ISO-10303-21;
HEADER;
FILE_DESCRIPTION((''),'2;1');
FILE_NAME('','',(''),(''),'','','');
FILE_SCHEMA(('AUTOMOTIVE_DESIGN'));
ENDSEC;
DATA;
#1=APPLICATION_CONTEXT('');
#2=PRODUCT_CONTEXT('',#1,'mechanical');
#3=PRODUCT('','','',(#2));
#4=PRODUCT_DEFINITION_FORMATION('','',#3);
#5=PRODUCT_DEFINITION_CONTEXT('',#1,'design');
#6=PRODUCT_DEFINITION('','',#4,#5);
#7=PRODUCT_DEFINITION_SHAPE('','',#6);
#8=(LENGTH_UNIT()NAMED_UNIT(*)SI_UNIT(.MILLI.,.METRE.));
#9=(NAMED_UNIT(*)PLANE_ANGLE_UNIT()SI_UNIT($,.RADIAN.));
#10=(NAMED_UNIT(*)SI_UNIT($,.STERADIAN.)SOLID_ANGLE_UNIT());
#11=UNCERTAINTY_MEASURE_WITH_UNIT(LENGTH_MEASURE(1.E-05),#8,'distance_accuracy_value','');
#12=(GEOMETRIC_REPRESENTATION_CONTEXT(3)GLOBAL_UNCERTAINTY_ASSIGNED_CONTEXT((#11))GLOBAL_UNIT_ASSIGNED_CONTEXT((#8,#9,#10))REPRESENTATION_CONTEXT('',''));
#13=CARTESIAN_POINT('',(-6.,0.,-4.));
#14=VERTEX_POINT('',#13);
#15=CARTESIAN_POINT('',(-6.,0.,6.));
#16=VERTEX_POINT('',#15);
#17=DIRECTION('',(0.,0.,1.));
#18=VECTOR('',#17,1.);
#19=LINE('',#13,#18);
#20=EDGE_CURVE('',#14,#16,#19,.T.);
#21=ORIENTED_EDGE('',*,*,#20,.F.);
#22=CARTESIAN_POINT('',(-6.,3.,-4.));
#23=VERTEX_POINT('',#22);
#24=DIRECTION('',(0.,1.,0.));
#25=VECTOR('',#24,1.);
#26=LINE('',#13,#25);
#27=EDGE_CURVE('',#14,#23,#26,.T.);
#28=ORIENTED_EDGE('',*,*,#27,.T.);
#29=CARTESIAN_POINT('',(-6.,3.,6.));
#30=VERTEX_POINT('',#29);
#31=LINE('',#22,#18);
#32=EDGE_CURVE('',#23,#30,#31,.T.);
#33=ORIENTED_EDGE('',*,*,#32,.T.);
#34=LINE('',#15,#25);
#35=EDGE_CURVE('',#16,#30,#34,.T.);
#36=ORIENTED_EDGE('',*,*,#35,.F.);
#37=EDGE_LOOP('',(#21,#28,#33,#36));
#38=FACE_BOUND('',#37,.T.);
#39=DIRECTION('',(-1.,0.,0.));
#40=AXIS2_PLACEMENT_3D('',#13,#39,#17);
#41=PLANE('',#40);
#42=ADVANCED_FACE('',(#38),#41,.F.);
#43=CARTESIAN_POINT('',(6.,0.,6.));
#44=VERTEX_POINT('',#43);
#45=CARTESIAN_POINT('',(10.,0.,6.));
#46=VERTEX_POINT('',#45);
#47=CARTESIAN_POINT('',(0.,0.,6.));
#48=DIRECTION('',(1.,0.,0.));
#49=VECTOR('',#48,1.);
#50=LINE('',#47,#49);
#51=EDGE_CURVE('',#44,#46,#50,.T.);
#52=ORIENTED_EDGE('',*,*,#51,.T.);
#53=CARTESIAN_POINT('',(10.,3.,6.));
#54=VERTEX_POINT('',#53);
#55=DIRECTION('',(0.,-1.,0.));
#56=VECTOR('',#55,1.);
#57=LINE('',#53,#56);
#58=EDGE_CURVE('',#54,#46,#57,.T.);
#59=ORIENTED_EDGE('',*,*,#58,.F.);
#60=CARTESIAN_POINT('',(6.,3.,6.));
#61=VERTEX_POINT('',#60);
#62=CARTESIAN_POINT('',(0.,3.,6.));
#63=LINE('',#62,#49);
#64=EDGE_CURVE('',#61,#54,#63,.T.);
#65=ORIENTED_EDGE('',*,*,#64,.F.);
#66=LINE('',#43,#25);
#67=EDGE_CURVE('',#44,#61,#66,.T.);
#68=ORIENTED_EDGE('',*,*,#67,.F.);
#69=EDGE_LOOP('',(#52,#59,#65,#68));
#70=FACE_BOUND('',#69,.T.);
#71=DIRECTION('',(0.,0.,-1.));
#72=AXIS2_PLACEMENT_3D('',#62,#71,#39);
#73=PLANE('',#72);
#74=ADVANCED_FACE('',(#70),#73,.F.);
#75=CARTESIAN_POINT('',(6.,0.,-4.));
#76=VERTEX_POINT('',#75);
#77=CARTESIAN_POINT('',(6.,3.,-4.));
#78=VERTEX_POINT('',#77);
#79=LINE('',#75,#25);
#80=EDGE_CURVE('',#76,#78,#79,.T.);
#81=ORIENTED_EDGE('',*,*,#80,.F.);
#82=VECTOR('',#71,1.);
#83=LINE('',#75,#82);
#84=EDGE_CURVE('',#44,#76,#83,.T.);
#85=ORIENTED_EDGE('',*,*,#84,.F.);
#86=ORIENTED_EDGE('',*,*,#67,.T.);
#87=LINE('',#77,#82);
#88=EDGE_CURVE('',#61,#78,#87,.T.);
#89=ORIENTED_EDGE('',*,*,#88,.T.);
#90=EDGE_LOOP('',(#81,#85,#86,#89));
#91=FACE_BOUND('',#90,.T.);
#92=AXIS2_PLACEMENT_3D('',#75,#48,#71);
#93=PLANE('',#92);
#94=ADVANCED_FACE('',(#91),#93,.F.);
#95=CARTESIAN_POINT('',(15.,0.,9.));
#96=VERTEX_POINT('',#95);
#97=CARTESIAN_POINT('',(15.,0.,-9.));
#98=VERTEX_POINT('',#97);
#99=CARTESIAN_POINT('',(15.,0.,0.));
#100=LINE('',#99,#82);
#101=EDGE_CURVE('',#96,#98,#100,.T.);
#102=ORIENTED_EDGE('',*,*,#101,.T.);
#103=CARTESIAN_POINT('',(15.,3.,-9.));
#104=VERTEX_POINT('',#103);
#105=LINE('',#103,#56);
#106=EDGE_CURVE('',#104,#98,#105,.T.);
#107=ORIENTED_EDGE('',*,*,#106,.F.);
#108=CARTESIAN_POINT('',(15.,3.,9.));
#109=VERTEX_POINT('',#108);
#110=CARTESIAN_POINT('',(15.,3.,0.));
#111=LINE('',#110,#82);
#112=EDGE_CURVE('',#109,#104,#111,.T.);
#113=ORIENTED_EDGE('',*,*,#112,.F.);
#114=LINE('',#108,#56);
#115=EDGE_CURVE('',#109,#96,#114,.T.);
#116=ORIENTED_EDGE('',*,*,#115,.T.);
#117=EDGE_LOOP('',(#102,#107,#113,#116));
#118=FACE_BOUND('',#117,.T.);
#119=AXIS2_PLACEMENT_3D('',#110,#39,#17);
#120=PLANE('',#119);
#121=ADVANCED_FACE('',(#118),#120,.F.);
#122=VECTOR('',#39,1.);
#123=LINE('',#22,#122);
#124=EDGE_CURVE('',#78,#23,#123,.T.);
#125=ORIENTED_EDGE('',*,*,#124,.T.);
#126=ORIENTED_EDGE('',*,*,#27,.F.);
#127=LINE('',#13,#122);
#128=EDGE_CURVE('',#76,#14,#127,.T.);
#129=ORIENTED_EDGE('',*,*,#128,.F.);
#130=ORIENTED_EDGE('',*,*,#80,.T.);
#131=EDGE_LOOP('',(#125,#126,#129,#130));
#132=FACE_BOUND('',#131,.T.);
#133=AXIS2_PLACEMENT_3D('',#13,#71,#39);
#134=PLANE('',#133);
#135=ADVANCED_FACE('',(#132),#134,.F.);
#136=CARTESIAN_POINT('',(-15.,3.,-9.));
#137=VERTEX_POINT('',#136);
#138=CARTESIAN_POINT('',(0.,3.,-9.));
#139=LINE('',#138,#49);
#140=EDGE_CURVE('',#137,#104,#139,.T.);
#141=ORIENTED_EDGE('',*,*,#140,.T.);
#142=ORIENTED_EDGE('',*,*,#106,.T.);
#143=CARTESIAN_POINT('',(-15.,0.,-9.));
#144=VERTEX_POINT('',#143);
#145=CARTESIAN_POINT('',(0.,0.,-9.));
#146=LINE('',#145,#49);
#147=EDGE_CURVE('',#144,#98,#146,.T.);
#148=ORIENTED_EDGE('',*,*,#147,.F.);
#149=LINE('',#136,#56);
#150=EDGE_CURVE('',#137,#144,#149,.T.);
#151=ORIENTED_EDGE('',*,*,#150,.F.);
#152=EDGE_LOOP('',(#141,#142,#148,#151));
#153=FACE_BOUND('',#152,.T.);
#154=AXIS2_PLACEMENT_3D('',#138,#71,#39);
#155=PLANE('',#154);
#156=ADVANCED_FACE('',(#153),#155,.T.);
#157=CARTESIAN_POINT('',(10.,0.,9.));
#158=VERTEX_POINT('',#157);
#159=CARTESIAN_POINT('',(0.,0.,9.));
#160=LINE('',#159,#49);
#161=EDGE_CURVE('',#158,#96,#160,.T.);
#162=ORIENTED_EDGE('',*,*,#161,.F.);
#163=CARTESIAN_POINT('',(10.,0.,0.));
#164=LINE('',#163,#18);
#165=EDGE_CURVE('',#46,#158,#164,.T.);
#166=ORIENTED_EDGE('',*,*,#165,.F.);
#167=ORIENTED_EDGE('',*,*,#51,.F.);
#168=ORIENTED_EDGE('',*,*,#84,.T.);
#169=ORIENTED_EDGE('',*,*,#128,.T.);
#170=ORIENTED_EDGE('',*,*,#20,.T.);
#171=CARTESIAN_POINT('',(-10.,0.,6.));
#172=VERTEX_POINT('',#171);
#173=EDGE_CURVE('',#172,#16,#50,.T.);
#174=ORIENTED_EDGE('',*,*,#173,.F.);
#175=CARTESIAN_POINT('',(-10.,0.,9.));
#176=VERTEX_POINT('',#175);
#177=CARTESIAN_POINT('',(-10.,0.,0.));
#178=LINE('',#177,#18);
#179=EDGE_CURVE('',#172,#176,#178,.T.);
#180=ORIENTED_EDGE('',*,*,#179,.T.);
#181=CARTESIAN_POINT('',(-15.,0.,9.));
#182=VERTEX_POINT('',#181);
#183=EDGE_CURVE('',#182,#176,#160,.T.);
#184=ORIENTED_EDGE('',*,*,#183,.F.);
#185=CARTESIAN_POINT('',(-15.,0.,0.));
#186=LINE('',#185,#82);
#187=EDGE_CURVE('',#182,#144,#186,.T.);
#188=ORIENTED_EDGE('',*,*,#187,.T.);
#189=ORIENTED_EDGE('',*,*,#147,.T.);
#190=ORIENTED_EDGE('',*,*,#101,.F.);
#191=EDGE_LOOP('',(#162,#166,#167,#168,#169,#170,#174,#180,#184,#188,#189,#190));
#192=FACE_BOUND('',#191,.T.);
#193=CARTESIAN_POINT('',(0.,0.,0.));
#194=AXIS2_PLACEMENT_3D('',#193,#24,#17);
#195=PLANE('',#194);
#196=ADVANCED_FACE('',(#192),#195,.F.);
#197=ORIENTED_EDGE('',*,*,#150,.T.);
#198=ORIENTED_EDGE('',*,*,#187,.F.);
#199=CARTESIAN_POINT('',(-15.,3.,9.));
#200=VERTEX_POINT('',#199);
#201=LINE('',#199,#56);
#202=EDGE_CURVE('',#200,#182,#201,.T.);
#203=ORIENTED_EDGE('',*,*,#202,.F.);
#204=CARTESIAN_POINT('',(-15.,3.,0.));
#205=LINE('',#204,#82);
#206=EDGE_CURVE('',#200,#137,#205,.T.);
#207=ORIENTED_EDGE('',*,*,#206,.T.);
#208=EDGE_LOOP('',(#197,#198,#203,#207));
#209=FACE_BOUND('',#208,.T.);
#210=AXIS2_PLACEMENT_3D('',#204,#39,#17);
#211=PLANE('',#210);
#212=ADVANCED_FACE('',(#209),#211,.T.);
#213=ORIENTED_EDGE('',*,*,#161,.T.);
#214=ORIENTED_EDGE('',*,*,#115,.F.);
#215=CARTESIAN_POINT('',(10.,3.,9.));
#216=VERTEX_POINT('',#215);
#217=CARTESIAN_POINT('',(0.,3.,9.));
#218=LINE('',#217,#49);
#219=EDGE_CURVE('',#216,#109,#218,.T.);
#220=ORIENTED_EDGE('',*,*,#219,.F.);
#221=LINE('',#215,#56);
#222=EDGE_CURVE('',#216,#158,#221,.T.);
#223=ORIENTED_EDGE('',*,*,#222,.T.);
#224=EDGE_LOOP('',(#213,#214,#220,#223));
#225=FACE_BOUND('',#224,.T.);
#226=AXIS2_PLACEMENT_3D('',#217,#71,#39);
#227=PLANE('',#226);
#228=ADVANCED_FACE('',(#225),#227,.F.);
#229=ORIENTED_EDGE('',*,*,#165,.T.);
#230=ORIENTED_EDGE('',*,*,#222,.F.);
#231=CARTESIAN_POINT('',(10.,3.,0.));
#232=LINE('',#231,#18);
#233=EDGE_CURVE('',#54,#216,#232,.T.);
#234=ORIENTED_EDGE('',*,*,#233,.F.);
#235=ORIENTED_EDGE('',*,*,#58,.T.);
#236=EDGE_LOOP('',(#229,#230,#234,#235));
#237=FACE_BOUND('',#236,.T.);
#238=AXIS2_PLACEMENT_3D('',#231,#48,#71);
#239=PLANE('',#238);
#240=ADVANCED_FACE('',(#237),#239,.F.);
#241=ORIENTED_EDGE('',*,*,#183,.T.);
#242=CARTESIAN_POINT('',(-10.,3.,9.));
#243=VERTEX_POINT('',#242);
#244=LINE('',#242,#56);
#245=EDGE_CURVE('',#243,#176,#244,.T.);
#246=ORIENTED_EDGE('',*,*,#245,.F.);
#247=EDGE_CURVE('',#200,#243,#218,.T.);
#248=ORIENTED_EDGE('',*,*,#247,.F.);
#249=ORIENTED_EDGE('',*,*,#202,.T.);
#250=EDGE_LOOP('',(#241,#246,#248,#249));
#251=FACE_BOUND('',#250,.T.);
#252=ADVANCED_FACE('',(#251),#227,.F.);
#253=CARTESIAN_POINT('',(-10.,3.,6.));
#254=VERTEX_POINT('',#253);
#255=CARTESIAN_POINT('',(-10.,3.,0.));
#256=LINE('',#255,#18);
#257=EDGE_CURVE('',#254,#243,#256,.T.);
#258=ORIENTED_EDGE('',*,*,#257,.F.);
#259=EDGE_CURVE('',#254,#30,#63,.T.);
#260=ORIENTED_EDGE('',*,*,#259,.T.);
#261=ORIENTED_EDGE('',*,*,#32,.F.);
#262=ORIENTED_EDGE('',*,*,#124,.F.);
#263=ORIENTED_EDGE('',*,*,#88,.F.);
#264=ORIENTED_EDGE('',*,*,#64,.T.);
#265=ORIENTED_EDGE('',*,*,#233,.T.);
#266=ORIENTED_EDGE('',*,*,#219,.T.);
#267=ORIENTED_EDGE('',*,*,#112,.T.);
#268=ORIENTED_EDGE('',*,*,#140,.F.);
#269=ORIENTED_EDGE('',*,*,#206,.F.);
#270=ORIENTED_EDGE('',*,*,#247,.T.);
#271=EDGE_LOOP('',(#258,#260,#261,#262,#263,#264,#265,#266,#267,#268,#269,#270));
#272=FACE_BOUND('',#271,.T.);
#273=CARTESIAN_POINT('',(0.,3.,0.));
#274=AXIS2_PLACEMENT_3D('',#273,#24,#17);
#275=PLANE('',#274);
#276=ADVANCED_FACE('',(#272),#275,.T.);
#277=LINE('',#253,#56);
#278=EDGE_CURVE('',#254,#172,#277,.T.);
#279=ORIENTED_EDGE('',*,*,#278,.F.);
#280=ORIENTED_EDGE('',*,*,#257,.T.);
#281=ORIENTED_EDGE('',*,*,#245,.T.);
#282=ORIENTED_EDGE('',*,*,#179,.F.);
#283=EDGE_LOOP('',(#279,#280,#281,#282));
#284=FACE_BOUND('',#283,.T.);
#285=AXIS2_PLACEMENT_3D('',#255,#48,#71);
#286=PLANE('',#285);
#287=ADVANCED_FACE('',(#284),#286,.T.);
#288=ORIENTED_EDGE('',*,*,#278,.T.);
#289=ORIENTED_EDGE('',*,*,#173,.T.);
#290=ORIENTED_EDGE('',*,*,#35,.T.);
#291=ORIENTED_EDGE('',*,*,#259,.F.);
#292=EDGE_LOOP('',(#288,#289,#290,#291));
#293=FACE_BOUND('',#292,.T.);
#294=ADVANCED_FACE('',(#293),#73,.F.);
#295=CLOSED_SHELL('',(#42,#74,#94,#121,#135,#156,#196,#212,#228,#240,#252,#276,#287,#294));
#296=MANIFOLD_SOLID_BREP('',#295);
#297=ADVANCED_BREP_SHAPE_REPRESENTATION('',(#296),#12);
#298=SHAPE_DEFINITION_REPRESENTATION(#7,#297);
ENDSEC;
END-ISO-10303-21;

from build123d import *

# Parameters (mm, degrees)
BOSS_EXTRUDE1_DEPTH = 3
SKETCH2_W           = 12
SKETCH2_H           = 10
CUT_EXTRUDE1_DEPTH  = 3


with BuildPart() as part:
    # Sketch1 → Boss-Extrude1 (new body)
    with BuildSketch(Plane(origin=(0, 0, 0), x_dir=(1, 0, 0), z_dir=(0, 1, 0))):
        Polygon((-15, 9), (-15, -9), (-10, -9), (-10, -6), (10, -6), (10, -9), (15, -9), (15, 9), align=None)
    extrude(amount=BOSS_EXTRUDE1_DEPTH)

    # Sketch2 → Cut-Extrude1 (cut)
    with BuildSketch(Plane(origin=(0, 3, 0), x_dir=(1, 0, 0), z_dir=(0, 1, 0))):
        with Locations((0, -1)):
            Rectangle(SKETCH2_W, SKETCH2_H)
    extrude(amount=-CUT_EXTRUDE1_DEPTH, mode=Mode.SUBTRACT)


solid = part.part
